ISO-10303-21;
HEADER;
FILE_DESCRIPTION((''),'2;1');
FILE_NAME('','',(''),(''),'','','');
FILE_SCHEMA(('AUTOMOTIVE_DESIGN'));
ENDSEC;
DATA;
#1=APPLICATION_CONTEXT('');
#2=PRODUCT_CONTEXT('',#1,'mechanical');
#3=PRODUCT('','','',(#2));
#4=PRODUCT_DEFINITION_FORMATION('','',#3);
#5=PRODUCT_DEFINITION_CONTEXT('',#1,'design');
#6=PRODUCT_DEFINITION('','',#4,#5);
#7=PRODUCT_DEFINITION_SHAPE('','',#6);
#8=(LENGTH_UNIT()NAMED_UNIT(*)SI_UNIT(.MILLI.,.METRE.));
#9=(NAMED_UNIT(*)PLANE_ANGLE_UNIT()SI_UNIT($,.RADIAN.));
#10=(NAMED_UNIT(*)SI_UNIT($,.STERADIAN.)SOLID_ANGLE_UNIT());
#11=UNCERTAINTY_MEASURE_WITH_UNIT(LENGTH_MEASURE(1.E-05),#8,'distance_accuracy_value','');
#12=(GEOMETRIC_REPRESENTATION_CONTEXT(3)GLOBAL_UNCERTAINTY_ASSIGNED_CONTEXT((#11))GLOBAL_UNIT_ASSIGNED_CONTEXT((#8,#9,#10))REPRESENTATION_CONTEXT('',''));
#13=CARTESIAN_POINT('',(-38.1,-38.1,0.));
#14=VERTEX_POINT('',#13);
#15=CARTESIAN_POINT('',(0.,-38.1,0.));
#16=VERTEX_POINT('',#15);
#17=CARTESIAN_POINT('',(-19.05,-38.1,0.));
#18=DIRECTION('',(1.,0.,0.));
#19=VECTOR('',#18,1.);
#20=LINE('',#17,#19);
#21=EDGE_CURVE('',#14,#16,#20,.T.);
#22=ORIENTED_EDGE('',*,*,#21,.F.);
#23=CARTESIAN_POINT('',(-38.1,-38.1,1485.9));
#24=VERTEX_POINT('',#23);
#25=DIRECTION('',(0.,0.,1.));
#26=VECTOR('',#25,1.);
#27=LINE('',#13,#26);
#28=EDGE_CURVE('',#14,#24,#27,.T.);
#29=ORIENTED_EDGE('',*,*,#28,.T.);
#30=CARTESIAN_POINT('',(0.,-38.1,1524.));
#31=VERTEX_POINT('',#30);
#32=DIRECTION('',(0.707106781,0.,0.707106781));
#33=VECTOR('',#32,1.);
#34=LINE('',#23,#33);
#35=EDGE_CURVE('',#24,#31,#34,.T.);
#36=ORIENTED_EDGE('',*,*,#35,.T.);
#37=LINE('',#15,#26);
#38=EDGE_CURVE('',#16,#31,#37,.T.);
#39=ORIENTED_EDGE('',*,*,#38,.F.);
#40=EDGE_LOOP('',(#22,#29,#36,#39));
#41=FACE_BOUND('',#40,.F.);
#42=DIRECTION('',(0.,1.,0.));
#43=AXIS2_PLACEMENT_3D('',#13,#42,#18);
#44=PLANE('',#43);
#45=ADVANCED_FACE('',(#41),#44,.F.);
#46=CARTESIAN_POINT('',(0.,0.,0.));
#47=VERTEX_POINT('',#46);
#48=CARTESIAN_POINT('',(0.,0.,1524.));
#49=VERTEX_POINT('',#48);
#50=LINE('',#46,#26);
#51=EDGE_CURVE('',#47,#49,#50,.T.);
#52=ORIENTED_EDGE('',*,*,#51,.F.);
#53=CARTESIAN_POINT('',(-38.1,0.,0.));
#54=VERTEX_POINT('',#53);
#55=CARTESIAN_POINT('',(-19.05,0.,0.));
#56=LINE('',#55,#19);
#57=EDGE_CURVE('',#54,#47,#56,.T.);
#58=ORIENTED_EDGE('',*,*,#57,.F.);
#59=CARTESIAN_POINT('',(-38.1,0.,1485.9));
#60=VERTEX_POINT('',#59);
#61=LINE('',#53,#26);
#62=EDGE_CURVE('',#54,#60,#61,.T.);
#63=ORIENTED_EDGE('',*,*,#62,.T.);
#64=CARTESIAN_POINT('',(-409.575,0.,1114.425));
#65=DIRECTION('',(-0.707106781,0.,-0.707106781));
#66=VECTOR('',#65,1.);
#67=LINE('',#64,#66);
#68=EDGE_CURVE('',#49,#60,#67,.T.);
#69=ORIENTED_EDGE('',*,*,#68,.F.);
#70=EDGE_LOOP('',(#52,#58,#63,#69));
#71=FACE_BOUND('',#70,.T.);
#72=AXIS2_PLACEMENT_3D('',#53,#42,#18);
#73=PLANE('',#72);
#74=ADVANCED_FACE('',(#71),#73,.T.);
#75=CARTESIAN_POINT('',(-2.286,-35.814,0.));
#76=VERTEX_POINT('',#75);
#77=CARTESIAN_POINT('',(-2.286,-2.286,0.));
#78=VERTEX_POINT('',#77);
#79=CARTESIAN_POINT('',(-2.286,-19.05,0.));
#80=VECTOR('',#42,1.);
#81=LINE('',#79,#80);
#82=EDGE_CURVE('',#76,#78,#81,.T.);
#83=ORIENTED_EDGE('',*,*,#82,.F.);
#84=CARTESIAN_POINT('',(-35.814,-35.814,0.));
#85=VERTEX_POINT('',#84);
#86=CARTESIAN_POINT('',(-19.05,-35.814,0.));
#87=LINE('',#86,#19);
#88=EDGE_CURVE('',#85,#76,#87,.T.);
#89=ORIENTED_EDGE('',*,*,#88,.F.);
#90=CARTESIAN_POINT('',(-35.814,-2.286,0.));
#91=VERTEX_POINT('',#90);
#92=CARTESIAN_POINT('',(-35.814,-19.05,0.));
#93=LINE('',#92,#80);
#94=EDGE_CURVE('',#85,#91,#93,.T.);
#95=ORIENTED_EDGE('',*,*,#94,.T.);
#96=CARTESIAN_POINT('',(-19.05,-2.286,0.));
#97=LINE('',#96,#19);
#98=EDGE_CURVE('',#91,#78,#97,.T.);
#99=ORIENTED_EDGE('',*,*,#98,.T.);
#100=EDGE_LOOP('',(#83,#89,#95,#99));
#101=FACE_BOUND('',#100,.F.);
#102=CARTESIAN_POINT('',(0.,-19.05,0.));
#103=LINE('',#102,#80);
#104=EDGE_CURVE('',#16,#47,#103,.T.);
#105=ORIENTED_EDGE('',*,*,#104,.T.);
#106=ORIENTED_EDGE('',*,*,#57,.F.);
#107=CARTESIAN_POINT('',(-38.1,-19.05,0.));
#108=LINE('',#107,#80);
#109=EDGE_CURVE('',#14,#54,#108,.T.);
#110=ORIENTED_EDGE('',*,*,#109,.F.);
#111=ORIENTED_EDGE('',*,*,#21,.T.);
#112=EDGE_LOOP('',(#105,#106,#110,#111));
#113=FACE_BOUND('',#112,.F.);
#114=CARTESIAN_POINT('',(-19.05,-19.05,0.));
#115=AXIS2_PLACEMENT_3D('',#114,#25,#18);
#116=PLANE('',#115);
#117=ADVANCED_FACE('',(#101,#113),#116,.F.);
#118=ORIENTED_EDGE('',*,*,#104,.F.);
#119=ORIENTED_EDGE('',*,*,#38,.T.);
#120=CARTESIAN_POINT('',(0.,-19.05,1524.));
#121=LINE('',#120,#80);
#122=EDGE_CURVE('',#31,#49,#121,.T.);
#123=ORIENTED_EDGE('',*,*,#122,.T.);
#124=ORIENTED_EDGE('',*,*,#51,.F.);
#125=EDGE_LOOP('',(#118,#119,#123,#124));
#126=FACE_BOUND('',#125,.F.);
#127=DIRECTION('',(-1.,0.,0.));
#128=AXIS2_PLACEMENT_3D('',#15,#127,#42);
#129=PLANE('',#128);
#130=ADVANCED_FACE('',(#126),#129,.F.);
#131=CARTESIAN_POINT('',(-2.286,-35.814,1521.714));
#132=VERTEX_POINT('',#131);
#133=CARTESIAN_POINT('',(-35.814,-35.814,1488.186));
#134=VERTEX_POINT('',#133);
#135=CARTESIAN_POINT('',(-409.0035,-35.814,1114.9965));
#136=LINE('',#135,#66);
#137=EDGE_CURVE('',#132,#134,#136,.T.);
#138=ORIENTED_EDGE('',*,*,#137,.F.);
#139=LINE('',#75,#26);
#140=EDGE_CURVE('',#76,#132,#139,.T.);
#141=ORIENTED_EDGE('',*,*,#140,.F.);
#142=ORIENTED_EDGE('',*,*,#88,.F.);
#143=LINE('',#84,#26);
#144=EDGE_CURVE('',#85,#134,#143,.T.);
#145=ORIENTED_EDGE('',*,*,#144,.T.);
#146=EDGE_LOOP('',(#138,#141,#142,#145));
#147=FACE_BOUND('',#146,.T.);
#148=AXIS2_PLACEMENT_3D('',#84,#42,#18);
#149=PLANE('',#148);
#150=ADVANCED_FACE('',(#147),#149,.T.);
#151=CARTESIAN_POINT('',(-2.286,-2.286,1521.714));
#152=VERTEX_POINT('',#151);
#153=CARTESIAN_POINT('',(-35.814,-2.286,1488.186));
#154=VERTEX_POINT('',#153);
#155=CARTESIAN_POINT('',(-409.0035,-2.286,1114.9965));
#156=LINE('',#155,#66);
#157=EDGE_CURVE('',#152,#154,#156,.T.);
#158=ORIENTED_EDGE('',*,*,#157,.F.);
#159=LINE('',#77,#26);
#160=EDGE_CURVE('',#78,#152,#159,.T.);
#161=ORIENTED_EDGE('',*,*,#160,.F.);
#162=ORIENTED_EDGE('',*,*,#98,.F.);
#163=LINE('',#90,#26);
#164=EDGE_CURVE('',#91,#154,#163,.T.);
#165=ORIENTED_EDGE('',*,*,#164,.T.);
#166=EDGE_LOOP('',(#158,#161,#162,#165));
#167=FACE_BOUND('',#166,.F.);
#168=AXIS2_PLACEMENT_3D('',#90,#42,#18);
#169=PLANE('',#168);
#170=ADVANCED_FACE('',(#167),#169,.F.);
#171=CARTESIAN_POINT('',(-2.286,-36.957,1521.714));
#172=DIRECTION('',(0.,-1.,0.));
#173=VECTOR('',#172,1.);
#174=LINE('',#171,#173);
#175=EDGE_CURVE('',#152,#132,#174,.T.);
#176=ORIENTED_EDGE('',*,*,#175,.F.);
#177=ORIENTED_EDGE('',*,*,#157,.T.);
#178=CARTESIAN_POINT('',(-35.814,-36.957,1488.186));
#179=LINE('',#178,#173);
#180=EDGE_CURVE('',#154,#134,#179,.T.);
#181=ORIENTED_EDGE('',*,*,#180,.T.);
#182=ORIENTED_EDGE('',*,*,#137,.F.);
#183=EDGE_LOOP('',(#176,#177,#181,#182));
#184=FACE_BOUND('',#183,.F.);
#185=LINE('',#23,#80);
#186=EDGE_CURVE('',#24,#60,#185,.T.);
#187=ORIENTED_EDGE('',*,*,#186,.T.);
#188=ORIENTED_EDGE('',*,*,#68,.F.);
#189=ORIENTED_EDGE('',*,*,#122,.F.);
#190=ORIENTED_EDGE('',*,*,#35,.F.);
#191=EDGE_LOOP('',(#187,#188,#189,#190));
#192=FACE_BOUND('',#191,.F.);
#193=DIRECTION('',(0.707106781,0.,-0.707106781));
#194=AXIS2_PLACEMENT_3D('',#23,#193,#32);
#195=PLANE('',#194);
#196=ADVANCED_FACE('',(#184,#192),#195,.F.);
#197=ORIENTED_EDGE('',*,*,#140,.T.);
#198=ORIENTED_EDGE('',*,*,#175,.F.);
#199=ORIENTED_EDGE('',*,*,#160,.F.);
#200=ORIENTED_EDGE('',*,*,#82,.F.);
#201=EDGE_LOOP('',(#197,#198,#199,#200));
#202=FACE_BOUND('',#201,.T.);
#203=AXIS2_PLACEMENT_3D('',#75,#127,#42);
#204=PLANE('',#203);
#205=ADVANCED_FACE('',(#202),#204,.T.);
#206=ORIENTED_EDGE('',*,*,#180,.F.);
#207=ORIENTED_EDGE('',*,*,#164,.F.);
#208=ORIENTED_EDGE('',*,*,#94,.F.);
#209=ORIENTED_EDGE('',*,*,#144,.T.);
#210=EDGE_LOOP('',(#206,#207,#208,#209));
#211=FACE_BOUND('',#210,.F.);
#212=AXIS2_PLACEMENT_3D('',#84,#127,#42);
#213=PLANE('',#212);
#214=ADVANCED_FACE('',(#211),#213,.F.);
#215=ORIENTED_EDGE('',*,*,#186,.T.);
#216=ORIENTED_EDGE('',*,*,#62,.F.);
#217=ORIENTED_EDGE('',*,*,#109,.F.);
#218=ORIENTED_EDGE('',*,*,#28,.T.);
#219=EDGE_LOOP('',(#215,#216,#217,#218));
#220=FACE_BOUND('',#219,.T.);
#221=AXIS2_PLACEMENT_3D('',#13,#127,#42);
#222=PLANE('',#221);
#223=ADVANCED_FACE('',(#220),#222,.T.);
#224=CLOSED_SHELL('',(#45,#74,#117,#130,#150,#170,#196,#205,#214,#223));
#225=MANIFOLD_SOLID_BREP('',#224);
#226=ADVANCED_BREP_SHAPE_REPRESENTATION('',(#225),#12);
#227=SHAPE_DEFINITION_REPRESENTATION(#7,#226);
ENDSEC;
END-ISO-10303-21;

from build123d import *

# Parameters (mm, degrees)
F0_W     = 38.1
F0_H     = 38.1
F0_W_2   = 33.528
F0_H_2   = 33.528
F1_DEPTH = 1524
F3_DEPTH = 50.8


with BuildPart() as f1:
    # F0 (on Top) → F1 (new body)
    with BuildSketch(Plane.XY):
        with Locations((-19.05, -19.05)):
            Rectangle(F0_W, F0_H)
        with Locations((-19.05, -19.05)):
            Rectangle(F0_W_2, F0_H_2, mode=Mode.SUBTRACT)
    extrude(amount=F1_DEPTH)

    # F2 (on face) → F3 (cut)
    with BuildSketch(Plane.XZ.offset(38.1)):
        Polygon((-38.1, 1485.9), (0, 1524), (-38.1, 1524), align=None)
    extrude(amount=-F3_DEPTH, mode=Mode.SUBTRACT)


solid = f1.part
